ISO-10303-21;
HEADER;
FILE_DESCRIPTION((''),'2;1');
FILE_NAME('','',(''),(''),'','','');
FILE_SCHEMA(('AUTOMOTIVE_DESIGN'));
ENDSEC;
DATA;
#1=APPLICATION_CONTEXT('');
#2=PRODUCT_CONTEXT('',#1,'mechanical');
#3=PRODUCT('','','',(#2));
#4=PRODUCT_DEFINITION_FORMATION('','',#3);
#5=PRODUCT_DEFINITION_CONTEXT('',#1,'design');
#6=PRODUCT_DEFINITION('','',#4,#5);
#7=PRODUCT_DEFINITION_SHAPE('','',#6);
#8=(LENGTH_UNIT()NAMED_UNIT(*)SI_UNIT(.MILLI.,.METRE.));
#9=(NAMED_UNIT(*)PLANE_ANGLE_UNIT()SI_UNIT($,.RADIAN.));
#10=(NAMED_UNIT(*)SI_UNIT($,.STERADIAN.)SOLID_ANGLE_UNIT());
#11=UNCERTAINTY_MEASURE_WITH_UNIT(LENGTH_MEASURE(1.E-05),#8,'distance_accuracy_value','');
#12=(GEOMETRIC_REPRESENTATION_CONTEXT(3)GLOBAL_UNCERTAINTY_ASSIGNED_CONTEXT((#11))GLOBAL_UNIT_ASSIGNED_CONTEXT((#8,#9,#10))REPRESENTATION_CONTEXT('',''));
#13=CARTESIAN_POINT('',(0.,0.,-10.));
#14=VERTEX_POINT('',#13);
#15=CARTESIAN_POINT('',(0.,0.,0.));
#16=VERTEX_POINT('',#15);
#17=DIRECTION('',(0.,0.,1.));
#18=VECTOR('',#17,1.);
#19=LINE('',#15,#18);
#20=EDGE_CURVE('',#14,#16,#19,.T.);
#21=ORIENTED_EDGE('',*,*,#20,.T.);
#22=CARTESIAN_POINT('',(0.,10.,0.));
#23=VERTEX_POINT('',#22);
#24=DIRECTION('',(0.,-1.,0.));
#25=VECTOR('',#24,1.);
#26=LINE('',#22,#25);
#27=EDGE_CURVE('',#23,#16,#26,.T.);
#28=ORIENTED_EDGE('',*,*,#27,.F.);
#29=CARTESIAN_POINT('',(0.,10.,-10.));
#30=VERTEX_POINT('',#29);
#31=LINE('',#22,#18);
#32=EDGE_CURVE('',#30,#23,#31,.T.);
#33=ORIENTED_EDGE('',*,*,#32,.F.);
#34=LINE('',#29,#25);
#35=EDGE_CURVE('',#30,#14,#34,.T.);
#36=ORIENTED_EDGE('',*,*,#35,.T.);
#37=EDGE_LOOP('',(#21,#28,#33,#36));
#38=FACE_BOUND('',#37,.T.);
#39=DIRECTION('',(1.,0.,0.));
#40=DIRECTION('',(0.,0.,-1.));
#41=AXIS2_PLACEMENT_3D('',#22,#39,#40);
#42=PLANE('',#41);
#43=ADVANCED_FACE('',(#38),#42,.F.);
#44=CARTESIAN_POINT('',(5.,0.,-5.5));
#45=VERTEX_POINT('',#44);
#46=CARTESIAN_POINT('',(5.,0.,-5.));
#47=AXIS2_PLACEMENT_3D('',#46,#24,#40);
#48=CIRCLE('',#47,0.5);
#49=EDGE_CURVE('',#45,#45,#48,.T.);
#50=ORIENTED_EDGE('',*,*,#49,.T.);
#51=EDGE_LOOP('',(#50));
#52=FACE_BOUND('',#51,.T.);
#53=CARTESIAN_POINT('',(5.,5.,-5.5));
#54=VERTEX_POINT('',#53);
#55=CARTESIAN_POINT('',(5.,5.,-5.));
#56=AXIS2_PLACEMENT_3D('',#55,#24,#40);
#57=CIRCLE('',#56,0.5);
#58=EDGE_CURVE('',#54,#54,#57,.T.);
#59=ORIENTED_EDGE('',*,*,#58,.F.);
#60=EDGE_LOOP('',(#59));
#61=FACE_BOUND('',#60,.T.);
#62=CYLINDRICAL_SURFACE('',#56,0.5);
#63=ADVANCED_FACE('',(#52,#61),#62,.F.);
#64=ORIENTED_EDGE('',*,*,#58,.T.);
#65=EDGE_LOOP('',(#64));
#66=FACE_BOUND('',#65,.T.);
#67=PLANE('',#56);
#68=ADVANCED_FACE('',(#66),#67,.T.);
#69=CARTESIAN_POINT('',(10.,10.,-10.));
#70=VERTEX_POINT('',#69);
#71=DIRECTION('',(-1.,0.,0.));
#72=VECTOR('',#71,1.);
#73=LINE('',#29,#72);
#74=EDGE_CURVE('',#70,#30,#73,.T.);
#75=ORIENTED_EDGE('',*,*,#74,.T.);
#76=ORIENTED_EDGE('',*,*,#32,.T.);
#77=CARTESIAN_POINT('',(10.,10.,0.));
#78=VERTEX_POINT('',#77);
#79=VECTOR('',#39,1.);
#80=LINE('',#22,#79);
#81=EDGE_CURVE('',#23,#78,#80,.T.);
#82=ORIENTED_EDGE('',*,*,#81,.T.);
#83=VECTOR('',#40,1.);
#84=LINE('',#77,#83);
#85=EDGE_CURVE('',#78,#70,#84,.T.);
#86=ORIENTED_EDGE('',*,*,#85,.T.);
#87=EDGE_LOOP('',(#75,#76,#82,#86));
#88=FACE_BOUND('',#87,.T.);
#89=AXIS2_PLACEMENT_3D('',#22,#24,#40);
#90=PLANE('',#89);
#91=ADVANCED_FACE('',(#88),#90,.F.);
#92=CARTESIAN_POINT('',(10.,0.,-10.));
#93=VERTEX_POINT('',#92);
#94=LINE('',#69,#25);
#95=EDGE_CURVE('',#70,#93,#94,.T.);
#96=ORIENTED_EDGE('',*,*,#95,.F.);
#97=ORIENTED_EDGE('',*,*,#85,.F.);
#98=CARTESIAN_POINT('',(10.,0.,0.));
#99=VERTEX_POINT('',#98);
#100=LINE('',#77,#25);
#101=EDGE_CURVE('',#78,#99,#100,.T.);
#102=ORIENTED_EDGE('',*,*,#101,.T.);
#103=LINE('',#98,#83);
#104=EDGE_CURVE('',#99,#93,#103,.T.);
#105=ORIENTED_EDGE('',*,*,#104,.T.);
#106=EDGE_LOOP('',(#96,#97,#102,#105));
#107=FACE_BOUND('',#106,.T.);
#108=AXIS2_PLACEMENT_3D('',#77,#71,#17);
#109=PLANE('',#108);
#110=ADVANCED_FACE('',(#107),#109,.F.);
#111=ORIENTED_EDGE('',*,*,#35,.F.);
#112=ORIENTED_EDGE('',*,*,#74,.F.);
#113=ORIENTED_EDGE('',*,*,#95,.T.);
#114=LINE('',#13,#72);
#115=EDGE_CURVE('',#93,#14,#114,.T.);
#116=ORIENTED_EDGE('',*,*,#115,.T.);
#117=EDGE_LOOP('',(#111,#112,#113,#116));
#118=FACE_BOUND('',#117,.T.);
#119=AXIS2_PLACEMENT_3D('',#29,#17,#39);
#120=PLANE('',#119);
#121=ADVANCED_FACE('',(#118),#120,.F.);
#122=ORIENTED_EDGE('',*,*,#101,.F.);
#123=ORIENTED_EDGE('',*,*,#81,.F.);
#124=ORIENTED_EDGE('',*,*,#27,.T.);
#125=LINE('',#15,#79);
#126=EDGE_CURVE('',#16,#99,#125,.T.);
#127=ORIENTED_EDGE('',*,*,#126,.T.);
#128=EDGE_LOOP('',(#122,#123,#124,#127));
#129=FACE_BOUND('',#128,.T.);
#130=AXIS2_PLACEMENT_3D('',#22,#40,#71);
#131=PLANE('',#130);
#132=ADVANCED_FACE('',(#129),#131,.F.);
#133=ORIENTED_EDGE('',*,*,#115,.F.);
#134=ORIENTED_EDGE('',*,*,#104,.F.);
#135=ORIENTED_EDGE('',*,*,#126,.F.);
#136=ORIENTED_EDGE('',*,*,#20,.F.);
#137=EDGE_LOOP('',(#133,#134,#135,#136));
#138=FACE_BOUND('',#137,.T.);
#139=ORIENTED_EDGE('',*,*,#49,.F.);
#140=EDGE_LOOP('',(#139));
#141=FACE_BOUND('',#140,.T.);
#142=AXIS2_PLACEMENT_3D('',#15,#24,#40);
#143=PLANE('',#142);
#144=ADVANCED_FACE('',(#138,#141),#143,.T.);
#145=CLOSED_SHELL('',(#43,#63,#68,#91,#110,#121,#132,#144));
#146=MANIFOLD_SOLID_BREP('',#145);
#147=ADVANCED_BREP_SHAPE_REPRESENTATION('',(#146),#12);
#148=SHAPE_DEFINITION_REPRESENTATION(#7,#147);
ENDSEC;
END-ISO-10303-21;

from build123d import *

# Parameters (mm, degrees)
CROQUIS1_W              = 10
CROQUIS1_H              = 10
SALIENTE_EXTRUIR1_DEPTH = 10
CROQUIS2_R              = 0.5
CORTAR_EXTRUIR1_DEPTH   = 5


with BuildPart() as part:
    # Croquis1 → Saliente-Extruir1 (new body)
    with BuildSketch(Plane(origin=(0, 0, 0), x_dir=(1, 0, 0), z_dir=(0, 1, 0))):
        with Locations((5, 5)):
            Rectangle(CROQUIS1_W, CROQUIS1_H)
    extrude(amount=SALIENTE_EXTRUIR1_DEPTH)

    # Croquis2 → Cortar-Extruir1 (cut)
    with BuildSketch(Plane.XZ):
        with Locations(Location((5, -5, 0), (0, 0, 270))):
            Circle(CROQUIS2_R)
    extrude(amount=-CORTAR_EXTRUIR1_DEPTH, mode=Mode.SUBTRACT)


solid = part.part
